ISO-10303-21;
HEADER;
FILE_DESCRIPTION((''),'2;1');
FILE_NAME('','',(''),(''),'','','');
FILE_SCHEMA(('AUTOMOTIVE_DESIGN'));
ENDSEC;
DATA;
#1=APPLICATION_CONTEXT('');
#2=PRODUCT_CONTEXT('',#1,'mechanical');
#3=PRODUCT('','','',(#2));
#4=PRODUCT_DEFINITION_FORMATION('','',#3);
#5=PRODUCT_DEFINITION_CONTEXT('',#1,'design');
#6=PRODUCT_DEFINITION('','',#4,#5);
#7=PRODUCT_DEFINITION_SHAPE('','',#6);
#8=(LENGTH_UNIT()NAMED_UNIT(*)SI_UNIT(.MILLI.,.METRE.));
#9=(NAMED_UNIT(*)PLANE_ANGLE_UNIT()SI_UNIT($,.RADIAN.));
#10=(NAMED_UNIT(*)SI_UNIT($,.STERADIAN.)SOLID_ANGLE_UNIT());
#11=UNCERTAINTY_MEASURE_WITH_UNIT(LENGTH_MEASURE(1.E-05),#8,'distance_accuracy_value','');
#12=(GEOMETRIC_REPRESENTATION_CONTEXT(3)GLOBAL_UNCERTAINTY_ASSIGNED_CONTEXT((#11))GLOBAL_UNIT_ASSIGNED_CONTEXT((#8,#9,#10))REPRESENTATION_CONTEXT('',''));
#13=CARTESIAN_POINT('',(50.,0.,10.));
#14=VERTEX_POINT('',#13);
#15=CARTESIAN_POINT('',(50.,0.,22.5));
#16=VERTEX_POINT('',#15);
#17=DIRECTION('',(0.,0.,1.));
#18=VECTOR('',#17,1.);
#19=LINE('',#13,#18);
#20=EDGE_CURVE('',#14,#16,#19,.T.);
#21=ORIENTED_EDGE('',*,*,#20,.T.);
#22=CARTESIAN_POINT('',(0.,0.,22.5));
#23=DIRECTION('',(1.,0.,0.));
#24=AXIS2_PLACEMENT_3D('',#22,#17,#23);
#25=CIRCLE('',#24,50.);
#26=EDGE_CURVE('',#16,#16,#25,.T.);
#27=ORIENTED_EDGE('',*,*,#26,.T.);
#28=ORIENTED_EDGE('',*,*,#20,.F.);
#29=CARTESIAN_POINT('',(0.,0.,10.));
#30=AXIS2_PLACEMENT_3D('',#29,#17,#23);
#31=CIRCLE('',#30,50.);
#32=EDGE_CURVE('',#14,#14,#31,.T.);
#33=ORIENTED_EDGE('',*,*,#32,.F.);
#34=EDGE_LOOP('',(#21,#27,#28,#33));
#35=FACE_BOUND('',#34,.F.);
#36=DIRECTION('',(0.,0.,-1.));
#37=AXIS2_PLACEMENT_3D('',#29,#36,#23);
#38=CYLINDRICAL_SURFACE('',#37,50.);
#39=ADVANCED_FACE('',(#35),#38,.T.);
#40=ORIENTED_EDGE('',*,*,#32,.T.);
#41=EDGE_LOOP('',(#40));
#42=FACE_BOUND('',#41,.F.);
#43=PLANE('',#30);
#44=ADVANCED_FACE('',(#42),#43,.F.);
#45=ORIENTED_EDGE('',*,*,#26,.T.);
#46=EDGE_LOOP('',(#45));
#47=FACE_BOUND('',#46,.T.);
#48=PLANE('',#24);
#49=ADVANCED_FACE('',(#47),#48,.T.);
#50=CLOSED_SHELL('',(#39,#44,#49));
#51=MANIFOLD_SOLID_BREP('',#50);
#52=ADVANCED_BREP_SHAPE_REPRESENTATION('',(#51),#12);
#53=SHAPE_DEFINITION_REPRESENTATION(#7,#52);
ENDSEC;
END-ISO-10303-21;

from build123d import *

# Parameters (mm, degrees)
F0_R     = 50
F1_DEPTH = 12.5


with BuildPart() as f1:
    # F0 (on Top) → F1 (new body)
    with BuildSketch(Plane.XY):
        Circle(F0_R)
    extrude(amount=F1_DEPTH)


with BuildPart() as f1_1:
    # F2: moved
    add(f1.part.moved(Location((0, 0, 10))))


solid = f1_1.part
